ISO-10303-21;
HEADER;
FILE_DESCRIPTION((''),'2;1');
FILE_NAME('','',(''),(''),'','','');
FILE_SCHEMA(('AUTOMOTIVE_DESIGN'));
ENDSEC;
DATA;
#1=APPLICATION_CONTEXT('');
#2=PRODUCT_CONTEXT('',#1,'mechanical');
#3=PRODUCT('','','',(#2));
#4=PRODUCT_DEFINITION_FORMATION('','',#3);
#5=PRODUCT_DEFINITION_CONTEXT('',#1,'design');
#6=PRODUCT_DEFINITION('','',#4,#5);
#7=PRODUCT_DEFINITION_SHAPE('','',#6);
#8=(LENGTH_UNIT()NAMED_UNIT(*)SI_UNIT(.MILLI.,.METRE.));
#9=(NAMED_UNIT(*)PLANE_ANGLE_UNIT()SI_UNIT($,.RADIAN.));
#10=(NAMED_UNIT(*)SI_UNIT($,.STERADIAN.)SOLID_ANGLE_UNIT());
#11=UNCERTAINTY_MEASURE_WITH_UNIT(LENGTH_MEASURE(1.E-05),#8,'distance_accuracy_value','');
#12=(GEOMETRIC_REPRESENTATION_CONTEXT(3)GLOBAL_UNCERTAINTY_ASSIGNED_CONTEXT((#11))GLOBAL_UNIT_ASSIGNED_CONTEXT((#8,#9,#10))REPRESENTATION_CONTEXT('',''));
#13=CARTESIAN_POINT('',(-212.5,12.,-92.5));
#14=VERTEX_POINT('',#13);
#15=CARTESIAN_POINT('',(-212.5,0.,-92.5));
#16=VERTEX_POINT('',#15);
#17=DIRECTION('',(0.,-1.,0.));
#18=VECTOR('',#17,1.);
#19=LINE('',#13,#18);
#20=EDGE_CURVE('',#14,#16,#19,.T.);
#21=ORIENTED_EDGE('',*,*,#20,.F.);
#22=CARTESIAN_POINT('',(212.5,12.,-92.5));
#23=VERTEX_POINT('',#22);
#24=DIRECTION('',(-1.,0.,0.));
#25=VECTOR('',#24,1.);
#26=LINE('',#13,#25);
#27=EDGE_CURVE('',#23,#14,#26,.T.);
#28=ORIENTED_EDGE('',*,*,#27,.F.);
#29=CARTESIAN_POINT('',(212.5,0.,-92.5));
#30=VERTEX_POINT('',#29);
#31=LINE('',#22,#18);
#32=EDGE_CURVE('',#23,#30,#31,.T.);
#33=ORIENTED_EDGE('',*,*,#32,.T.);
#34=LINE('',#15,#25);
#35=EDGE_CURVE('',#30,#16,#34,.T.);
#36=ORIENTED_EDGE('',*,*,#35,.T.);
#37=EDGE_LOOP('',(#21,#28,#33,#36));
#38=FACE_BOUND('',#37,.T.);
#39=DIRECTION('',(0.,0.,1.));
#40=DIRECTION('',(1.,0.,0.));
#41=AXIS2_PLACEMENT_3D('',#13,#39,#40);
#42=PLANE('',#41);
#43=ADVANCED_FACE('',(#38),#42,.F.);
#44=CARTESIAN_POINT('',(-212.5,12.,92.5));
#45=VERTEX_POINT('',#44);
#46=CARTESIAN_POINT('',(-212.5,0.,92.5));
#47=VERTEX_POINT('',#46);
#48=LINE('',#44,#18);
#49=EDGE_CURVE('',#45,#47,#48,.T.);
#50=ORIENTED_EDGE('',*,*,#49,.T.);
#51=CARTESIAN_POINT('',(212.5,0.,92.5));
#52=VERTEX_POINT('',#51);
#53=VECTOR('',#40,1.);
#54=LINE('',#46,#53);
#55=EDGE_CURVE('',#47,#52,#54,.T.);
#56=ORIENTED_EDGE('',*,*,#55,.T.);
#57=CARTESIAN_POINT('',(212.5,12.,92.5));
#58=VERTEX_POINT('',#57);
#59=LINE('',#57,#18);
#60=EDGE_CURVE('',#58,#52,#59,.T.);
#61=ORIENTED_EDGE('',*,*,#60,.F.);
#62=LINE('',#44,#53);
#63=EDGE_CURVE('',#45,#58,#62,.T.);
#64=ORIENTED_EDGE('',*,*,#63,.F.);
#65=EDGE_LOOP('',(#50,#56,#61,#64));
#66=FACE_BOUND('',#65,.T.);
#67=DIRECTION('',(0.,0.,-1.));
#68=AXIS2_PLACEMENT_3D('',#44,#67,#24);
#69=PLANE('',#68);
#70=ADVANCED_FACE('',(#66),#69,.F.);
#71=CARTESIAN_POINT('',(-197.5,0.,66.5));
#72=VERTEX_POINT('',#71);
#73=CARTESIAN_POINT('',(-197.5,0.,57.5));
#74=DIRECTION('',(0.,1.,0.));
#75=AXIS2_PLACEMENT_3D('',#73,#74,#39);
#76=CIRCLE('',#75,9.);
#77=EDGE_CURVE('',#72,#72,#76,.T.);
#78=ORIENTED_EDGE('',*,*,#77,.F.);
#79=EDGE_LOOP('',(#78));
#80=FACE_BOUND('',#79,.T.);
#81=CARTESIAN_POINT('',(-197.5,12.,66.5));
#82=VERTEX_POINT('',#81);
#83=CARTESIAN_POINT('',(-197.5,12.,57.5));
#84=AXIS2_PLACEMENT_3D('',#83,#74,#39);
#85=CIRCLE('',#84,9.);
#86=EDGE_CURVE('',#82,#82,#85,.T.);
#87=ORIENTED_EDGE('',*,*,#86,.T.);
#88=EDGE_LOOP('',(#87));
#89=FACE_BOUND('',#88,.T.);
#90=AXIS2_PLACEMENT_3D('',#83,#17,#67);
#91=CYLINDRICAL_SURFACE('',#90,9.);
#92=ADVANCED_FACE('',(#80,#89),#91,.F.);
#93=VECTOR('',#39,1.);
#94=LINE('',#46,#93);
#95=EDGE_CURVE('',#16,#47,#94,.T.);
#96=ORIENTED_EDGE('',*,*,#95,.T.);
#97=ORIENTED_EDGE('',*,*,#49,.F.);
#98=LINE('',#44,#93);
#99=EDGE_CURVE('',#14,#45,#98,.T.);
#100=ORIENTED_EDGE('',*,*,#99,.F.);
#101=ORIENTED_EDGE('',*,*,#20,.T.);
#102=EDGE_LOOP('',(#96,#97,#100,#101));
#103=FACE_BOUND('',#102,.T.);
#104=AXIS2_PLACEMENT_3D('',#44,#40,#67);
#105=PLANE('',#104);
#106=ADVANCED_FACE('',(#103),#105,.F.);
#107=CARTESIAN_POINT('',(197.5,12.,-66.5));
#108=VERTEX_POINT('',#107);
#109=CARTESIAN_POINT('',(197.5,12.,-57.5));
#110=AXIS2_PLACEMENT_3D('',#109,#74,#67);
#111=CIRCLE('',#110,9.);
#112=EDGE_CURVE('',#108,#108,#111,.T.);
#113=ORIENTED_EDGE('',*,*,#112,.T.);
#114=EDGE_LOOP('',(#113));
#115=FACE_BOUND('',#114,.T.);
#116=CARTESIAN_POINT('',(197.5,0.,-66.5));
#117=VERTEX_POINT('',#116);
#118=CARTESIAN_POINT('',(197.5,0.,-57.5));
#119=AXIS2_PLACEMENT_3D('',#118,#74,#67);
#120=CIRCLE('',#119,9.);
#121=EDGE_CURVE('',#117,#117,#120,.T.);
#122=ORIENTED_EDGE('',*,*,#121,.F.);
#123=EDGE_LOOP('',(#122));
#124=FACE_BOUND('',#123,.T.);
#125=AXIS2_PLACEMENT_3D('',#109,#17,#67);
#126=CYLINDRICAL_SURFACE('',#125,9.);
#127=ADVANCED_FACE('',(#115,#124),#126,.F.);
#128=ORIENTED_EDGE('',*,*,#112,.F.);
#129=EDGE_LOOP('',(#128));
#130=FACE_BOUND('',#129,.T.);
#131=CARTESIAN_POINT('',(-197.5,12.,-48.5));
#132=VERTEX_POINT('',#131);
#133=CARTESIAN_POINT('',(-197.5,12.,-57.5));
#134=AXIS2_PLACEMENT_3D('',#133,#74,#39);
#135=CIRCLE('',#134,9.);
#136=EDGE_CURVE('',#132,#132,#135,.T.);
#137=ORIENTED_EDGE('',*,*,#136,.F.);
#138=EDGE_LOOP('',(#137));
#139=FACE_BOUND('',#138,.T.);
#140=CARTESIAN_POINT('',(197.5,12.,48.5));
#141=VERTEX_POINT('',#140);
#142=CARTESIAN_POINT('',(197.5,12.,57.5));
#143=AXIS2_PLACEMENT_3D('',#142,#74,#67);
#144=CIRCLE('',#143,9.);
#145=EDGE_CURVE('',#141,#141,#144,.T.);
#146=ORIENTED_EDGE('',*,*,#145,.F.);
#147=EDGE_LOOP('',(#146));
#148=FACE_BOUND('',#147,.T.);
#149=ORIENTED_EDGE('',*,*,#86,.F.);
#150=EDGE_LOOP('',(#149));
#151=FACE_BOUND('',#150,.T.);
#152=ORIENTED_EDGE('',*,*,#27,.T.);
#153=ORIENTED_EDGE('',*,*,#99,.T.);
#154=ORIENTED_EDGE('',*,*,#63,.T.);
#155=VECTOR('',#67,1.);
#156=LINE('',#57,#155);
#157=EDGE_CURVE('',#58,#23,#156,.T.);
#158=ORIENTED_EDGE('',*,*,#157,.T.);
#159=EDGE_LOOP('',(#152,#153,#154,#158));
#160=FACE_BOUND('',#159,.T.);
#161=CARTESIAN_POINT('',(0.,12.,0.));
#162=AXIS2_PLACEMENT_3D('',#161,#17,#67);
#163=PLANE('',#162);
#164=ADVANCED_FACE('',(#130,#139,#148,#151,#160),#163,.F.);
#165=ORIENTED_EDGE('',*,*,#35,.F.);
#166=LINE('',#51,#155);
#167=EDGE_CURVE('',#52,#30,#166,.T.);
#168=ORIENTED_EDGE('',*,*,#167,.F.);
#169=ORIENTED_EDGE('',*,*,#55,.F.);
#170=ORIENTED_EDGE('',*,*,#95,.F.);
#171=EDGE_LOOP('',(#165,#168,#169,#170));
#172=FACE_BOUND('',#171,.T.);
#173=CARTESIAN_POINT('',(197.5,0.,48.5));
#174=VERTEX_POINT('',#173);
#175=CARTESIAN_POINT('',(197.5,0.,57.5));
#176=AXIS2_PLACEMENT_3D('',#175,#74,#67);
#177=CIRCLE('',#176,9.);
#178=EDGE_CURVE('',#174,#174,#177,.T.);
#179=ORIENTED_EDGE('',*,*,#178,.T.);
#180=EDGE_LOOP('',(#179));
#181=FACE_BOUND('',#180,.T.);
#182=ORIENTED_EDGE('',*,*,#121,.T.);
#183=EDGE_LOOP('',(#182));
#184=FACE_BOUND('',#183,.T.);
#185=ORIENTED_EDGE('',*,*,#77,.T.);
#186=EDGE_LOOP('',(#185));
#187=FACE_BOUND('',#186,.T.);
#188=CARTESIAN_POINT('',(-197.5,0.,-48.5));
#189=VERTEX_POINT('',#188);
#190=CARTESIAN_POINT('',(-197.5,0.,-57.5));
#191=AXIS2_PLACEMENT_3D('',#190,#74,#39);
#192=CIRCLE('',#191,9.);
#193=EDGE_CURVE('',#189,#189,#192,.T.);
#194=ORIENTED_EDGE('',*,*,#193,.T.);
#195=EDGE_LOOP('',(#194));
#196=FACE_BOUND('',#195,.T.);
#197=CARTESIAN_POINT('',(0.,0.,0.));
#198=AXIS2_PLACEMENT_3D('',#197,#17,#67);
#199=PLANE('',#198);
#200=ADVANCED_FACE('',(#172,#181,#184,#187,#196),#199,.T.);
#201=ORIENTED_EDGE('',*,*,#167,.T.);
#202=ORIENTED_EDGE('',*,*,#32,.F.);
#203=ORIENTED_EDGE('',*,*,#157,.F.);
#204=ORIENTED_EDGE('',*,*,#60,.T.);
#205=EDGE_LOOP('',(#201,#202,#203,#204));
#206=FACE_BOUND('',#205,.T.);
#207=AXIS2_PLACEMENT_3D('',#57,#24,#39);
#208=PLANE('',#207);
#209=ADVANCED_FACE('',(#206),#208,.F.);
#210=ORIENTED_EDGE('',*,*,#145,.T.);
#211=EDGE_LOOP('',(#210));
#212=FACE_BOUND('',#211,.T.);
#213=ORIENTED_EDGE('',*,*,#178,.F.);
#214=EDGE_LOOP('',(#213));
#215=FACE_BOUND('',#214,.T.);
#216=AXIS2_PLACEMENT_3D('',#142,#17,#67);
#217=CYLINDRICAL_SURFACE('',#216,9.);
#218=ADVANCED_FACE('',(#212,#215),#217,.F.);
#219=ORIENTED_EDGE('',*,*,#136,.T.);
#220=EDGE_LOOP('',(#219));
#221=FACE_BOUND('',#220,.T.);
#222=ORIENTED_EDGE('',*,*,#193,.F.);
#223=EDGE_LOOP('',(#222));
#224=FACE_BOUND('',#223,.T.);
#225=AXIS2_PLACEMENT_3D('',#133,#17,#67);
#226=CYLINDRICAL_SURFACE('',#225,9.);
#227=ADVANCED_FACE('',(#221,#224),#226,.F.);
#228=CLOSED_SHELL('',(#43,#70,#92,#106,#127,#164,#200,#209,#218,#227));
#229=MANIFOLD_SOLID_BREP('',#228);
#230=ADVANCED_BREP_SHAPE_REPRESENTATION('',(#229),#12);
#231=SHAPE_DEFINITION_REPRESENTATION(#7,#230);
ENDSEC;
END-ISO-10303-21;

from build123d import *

# Parameters (mm, degrees)
SKETCH3_W           = 425
SKETCH3_H           = 185
SKETCH3_R           = 9
BOSS_EXTRUDE1_DEPTH = 12


with BuildPart() as part:
    # Sketch3 → Boss-Extrude1 (new body)
    with BuildSketch(Plane(origin=(0, 0, 0), x_dir=(1, 0, 0), z_dir=(0, 1, 0))):
        Rectangle(SKETCH3_W, SKETCH3_H)
        with Locations(Location((-197.5, 57.5, 0), (0, 0, 270))):
            Circle(SKETCH3_R, mode=Mode.SUBTRACT)
        with Locations(Location((-197.5, -57.5, 0), (0, 0, 270))):
            Circle(SKETCH3_R, mode=Mode.SUBTRACT)
        with Locations(Location((197.5, 57.5, 0), (0, 0, 90))):
            Circle(SKETCH3_R, mode=Mode.SUBTRACT)
        with Locations(Location((197.5, -57.5, 0), (0, 0, 90))):
            Circle(SKETCH3_R, mode=Mode.SUBTRACT)
    extrude(amount=BOSS_EXTRUDE1_DEPTH)


solid = part.part
